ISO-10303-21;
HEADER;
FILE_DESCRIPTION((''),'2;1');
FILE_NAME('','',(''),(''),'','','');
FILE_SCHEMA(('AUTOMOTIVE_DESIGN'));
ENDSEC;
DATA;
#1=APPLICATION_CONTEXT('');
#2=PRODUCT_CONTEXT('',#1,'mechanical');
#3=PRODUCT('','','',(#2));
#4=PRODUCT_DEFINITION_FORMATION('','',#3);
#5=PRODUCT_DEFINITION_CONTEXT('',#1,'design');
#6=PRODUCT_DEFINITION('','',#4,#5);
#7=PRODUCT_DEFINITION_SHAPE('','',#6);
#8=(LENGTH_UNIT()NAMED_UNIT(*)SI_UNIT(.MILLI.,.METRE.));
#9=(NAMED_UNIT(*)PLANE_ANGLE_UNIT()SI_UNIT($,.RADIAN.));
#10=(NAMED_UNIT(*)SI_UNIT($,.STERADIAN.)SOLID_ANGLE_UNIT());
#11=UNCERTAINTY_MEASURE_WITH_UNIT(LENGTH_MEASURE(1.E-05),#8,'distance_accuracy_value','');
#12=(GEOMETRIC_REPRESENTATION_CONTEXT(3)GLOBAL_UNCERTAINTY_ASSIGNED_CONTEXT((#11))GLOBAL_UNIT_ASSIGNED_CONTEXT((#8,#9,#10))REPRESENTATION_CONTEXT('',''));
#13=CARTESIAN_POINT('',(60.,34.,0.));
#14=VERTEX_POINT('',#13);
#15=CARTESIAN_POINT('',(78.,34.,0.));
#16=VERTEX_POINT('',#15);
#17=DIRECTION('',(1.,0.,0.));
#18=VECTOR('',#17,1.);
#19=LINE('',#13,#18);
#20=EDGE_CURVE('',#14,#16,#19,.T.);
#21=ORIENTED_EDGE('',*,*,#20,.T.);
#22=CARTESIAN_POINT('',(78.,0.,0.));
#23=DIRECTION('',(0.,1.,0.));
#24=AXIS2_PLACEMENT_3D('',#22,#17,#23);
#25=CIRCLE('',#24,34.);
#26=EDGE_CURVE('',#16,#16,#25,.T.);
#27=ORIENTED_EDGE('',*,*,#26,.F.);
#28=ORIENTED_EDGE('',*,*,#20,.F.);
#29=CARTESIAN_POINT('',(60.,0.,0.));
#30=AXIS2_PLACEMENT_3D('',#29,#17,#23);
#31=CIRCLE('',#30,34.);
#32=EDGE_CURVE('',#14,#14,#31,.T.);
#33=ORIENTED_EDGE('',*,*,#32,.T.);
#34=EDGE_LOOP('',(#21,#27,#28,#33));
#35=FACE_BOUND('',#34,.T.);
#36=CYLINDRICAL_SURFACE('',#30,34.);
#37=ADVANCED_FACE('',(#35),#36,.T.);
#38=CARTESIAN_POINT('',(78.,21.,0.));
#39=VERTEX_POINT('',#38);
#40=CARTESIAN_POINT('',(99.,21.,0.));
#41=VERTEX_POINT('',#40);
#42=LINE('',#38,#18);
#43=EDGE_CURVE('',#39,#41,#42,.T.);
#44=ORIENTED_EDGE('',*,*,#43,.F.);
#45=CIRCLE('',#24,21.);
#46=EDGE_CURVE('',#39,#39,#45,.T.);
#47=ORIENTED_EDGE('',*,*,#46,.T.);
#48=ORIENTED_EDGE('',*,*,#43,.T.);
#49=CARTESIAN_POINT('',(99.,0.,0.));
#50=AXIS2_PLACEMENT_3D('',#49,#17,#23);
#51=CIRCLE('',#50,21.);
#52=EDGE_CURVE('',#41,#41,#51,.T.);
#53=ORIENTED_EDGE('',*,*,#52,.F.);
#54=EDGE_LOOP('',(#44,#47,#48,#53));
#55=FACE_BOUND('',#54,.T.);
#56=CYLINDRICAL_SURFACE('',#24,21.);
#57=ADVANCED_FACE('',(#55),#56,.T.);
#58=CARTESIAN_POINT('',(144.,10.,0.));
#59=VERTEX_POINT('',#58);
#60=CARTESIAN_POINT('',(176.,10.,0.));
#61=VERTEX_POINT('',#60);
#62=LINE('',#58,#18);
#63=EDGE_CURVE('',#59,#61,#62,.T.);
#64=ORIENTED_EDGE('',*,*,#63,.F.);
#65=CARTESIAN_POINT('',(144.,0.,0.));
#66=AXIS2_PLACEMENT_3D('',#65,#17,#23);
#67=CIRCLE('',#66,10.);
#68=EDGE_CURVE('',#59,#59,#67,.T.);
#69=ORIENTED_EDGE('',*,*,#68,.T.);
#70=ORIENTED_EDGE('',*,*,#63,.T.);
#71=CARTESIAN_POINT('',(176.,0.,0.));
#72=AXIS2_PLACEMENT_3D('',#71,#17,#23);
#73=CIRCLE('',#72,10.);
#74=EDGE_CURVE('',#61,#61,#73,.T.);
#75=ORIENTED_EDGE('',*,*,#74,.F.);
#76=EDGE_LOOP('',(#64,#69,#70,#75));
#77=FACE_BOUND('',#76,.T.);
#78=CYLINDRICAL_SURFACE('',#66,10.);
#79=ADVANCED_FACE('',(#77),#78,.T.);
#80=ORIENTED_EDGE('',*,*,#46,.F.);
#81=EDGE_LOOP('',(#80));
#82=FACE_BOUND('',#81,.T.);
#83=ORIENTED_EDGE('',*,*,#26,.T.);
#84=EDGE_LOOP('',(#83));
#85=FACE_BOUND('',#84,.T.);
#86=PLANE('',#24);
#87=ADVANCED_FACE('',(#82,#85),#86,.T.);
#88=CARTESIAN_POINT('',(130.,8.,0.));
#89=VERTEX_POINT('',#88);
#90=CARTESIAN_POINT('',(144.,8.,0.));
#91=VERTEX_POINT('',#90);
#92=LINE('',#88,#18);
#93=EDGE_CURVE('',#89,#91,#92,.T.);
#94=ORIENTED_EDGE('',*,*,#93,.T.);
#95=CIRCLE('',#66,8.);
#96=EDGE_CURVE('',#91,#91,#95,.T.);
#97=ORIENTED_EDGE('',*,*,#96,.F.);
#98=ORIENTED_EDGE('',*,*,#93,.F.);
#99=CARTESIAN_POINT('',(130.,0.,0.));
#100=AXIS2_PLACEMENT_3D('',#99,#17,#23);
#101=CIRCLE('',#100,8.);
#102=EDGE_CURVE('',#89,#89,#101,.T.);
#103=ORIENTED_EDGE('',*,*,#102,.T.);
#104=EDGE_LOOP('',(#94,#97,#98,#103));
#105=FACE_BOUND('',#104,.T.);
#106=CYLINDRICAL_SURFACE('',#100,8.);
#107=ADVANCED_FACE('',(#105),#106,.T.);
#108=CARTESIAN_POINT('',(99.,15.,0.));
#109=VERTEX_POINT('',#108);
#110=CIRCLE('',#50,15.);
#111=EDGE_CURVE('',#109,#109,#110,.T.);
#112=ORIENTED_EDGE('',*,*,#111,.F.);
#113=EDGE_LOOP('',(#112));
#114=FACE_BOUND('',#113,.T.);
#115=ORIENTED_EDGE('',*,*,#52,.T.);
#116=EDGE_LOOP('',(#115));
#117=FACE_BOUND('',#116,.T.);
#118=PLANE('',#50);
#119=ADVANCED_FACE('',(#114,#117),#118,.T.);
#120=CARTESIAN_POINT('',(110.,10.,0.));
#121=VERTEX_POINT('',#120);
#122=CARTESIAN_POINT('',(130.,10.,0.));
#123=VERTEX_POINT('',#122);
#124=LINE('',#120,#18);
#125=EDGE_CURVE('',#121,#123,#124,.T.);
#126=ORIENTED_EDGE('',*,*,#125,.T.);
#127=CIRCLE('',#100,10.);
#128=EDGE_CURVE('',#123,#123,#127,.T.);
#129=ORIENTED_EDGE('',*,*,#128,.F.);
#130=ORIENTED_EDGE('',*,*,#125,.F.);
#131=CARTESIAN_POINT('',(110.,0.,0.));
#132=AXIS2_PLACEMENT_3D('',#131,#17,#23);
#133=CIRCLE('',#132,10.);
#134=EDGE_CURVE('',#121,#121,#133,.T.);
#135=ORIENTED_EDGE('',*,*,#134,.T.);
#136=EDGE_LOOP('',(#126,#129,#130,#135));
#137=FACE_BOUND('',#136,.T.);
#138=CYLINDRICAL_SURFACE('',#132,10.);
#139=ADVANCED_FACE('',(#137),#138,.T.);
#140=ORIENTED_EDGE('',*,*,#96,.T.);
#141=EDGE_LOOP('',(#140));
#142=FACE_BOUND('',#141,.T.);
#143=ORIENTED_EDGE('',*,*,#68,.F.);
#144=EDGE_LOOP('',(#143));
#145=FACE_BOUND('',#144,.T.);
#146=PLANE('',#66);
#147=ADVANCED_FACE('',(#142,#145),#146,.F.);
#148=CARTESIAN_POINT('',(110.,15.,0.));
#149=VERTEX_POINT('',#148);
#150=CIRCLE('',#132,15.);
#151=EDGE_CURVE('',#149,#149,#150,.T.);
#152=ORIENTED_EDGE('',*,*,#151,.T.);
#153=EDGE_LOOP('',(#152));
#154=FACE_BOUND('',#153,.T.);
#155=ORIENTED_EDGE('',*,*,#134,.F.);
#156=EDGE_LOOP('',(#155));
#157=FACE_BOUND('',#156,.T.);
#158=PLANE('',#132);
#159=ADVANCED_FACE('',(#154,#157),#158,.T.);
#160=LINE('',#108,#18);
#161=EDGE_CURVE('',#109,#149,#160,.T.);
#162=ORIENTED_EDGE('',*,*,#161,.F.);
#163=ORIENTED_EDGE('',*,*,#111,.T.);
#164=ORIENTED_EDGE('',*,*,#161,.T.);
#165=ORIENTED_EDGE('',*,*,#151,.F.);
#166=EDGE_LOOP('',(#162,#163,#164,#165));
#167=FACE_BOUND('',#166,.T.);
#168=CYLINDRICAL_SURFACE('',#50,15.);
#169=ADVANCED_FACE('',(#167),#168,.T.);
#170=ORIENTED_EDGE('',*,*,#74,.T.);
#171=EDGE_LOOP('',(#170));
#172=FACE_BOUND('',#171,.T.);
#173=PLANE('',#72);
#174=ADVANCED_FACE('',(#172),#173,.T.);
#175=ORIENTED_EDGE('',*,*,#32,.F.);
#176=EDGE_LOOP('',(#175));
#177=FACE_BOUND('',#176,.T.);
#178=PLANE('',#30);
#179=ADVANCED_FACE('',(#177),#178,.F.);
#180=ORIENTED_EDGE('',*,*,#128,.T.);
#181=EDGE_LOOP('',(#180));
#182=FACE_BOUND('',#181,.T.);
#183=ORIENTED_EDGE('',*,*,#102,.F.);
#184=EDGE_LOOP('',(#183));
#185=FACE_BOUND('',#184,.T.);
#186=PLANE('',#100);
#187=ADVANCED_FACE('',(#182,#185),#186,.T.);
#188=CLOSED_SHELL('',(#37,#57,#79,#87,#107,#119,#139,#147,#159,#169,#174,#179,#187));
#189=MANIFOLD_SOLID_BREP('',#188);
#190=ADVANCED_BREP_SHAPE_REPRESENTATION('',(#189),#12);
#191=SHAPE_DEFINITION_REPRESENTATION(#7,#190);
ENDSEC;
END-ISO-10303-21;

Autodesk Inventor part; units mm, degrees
ref_plane "YZ Plane" through (0, 0, 0) normal (1, 0, 0) x (0, 1, 0)
ref_plane "XZ Plane" through (0, 0, 0) normal (0, 1, 0) x (-1, 0, 0)
ref_plane "XY Plane" through (0, 0, 0) normal (0, 0, 1) x (1, 0, 0)
sketch "Sketch1" plane through (0, 0, 0) normal (0, 0, 1) x (1, 0, 0)
  line L0 (60, 13.5) -> (60, 0) construction
  line L1 (60, 0) -> (60, 34)
  line L2 (60, 34) -> (78, 34)
  line L3 (78, 34) -> (78, 0)
  line L4 (78, 0) -> (78, 21)
  line L5 (78, 21) -> (99, 21)
  line L6 (99, 21) -> (99, 0)
  line L7 (99, 0) -> (99, 15)
  line L8 (99, 15) -> (110, 15)
  line L9 (110, 15) -> (110, 0)
  line L10 (110, 0) -> (110, 10)
  line L11 (110, 10) -> (130, 10)
  line L12 (130, 10) -> (130, 0)
  line L13 (130, 0) -> (130, 8)
  line L14 (130, 8) -> (144, 8)
  line L15 (144, 8) -> (144, 0)
  line L16 (144, 0) -> (144, 10)
  line L17 (144, 10) -> (176, 10)
  line L18 (176, 10) -> (176, 0)
  line L19 (0, 0) -> (225.6875, 0)
  dimension "d8" = 34
  dimension "d9" = 18
  dimension "d10" = 21
  dimension "d11" = 21
  dimension "d12" = 15
  dimension "d13" = 11
  dimension "d14" = 10
  dimension "d15" = 20
  dimension "d16" = 8
  dimension "d17" = 14
  dimension "d18" = 10
  dimension "d19" = 32
  dimension "d46" = 98
revolve "Revolution1" add sketch "Sketch1" angle 360 about axis through (0, 0, 0) along (1, 0, 0)
sketch "Sketch4" plane through (60, 0, 0) normal (-1, 0, 0) x (0, 0, 1)
  point P0 (0, 0)
properties part number "Sketch 2d terminado sin rotacion aun"
